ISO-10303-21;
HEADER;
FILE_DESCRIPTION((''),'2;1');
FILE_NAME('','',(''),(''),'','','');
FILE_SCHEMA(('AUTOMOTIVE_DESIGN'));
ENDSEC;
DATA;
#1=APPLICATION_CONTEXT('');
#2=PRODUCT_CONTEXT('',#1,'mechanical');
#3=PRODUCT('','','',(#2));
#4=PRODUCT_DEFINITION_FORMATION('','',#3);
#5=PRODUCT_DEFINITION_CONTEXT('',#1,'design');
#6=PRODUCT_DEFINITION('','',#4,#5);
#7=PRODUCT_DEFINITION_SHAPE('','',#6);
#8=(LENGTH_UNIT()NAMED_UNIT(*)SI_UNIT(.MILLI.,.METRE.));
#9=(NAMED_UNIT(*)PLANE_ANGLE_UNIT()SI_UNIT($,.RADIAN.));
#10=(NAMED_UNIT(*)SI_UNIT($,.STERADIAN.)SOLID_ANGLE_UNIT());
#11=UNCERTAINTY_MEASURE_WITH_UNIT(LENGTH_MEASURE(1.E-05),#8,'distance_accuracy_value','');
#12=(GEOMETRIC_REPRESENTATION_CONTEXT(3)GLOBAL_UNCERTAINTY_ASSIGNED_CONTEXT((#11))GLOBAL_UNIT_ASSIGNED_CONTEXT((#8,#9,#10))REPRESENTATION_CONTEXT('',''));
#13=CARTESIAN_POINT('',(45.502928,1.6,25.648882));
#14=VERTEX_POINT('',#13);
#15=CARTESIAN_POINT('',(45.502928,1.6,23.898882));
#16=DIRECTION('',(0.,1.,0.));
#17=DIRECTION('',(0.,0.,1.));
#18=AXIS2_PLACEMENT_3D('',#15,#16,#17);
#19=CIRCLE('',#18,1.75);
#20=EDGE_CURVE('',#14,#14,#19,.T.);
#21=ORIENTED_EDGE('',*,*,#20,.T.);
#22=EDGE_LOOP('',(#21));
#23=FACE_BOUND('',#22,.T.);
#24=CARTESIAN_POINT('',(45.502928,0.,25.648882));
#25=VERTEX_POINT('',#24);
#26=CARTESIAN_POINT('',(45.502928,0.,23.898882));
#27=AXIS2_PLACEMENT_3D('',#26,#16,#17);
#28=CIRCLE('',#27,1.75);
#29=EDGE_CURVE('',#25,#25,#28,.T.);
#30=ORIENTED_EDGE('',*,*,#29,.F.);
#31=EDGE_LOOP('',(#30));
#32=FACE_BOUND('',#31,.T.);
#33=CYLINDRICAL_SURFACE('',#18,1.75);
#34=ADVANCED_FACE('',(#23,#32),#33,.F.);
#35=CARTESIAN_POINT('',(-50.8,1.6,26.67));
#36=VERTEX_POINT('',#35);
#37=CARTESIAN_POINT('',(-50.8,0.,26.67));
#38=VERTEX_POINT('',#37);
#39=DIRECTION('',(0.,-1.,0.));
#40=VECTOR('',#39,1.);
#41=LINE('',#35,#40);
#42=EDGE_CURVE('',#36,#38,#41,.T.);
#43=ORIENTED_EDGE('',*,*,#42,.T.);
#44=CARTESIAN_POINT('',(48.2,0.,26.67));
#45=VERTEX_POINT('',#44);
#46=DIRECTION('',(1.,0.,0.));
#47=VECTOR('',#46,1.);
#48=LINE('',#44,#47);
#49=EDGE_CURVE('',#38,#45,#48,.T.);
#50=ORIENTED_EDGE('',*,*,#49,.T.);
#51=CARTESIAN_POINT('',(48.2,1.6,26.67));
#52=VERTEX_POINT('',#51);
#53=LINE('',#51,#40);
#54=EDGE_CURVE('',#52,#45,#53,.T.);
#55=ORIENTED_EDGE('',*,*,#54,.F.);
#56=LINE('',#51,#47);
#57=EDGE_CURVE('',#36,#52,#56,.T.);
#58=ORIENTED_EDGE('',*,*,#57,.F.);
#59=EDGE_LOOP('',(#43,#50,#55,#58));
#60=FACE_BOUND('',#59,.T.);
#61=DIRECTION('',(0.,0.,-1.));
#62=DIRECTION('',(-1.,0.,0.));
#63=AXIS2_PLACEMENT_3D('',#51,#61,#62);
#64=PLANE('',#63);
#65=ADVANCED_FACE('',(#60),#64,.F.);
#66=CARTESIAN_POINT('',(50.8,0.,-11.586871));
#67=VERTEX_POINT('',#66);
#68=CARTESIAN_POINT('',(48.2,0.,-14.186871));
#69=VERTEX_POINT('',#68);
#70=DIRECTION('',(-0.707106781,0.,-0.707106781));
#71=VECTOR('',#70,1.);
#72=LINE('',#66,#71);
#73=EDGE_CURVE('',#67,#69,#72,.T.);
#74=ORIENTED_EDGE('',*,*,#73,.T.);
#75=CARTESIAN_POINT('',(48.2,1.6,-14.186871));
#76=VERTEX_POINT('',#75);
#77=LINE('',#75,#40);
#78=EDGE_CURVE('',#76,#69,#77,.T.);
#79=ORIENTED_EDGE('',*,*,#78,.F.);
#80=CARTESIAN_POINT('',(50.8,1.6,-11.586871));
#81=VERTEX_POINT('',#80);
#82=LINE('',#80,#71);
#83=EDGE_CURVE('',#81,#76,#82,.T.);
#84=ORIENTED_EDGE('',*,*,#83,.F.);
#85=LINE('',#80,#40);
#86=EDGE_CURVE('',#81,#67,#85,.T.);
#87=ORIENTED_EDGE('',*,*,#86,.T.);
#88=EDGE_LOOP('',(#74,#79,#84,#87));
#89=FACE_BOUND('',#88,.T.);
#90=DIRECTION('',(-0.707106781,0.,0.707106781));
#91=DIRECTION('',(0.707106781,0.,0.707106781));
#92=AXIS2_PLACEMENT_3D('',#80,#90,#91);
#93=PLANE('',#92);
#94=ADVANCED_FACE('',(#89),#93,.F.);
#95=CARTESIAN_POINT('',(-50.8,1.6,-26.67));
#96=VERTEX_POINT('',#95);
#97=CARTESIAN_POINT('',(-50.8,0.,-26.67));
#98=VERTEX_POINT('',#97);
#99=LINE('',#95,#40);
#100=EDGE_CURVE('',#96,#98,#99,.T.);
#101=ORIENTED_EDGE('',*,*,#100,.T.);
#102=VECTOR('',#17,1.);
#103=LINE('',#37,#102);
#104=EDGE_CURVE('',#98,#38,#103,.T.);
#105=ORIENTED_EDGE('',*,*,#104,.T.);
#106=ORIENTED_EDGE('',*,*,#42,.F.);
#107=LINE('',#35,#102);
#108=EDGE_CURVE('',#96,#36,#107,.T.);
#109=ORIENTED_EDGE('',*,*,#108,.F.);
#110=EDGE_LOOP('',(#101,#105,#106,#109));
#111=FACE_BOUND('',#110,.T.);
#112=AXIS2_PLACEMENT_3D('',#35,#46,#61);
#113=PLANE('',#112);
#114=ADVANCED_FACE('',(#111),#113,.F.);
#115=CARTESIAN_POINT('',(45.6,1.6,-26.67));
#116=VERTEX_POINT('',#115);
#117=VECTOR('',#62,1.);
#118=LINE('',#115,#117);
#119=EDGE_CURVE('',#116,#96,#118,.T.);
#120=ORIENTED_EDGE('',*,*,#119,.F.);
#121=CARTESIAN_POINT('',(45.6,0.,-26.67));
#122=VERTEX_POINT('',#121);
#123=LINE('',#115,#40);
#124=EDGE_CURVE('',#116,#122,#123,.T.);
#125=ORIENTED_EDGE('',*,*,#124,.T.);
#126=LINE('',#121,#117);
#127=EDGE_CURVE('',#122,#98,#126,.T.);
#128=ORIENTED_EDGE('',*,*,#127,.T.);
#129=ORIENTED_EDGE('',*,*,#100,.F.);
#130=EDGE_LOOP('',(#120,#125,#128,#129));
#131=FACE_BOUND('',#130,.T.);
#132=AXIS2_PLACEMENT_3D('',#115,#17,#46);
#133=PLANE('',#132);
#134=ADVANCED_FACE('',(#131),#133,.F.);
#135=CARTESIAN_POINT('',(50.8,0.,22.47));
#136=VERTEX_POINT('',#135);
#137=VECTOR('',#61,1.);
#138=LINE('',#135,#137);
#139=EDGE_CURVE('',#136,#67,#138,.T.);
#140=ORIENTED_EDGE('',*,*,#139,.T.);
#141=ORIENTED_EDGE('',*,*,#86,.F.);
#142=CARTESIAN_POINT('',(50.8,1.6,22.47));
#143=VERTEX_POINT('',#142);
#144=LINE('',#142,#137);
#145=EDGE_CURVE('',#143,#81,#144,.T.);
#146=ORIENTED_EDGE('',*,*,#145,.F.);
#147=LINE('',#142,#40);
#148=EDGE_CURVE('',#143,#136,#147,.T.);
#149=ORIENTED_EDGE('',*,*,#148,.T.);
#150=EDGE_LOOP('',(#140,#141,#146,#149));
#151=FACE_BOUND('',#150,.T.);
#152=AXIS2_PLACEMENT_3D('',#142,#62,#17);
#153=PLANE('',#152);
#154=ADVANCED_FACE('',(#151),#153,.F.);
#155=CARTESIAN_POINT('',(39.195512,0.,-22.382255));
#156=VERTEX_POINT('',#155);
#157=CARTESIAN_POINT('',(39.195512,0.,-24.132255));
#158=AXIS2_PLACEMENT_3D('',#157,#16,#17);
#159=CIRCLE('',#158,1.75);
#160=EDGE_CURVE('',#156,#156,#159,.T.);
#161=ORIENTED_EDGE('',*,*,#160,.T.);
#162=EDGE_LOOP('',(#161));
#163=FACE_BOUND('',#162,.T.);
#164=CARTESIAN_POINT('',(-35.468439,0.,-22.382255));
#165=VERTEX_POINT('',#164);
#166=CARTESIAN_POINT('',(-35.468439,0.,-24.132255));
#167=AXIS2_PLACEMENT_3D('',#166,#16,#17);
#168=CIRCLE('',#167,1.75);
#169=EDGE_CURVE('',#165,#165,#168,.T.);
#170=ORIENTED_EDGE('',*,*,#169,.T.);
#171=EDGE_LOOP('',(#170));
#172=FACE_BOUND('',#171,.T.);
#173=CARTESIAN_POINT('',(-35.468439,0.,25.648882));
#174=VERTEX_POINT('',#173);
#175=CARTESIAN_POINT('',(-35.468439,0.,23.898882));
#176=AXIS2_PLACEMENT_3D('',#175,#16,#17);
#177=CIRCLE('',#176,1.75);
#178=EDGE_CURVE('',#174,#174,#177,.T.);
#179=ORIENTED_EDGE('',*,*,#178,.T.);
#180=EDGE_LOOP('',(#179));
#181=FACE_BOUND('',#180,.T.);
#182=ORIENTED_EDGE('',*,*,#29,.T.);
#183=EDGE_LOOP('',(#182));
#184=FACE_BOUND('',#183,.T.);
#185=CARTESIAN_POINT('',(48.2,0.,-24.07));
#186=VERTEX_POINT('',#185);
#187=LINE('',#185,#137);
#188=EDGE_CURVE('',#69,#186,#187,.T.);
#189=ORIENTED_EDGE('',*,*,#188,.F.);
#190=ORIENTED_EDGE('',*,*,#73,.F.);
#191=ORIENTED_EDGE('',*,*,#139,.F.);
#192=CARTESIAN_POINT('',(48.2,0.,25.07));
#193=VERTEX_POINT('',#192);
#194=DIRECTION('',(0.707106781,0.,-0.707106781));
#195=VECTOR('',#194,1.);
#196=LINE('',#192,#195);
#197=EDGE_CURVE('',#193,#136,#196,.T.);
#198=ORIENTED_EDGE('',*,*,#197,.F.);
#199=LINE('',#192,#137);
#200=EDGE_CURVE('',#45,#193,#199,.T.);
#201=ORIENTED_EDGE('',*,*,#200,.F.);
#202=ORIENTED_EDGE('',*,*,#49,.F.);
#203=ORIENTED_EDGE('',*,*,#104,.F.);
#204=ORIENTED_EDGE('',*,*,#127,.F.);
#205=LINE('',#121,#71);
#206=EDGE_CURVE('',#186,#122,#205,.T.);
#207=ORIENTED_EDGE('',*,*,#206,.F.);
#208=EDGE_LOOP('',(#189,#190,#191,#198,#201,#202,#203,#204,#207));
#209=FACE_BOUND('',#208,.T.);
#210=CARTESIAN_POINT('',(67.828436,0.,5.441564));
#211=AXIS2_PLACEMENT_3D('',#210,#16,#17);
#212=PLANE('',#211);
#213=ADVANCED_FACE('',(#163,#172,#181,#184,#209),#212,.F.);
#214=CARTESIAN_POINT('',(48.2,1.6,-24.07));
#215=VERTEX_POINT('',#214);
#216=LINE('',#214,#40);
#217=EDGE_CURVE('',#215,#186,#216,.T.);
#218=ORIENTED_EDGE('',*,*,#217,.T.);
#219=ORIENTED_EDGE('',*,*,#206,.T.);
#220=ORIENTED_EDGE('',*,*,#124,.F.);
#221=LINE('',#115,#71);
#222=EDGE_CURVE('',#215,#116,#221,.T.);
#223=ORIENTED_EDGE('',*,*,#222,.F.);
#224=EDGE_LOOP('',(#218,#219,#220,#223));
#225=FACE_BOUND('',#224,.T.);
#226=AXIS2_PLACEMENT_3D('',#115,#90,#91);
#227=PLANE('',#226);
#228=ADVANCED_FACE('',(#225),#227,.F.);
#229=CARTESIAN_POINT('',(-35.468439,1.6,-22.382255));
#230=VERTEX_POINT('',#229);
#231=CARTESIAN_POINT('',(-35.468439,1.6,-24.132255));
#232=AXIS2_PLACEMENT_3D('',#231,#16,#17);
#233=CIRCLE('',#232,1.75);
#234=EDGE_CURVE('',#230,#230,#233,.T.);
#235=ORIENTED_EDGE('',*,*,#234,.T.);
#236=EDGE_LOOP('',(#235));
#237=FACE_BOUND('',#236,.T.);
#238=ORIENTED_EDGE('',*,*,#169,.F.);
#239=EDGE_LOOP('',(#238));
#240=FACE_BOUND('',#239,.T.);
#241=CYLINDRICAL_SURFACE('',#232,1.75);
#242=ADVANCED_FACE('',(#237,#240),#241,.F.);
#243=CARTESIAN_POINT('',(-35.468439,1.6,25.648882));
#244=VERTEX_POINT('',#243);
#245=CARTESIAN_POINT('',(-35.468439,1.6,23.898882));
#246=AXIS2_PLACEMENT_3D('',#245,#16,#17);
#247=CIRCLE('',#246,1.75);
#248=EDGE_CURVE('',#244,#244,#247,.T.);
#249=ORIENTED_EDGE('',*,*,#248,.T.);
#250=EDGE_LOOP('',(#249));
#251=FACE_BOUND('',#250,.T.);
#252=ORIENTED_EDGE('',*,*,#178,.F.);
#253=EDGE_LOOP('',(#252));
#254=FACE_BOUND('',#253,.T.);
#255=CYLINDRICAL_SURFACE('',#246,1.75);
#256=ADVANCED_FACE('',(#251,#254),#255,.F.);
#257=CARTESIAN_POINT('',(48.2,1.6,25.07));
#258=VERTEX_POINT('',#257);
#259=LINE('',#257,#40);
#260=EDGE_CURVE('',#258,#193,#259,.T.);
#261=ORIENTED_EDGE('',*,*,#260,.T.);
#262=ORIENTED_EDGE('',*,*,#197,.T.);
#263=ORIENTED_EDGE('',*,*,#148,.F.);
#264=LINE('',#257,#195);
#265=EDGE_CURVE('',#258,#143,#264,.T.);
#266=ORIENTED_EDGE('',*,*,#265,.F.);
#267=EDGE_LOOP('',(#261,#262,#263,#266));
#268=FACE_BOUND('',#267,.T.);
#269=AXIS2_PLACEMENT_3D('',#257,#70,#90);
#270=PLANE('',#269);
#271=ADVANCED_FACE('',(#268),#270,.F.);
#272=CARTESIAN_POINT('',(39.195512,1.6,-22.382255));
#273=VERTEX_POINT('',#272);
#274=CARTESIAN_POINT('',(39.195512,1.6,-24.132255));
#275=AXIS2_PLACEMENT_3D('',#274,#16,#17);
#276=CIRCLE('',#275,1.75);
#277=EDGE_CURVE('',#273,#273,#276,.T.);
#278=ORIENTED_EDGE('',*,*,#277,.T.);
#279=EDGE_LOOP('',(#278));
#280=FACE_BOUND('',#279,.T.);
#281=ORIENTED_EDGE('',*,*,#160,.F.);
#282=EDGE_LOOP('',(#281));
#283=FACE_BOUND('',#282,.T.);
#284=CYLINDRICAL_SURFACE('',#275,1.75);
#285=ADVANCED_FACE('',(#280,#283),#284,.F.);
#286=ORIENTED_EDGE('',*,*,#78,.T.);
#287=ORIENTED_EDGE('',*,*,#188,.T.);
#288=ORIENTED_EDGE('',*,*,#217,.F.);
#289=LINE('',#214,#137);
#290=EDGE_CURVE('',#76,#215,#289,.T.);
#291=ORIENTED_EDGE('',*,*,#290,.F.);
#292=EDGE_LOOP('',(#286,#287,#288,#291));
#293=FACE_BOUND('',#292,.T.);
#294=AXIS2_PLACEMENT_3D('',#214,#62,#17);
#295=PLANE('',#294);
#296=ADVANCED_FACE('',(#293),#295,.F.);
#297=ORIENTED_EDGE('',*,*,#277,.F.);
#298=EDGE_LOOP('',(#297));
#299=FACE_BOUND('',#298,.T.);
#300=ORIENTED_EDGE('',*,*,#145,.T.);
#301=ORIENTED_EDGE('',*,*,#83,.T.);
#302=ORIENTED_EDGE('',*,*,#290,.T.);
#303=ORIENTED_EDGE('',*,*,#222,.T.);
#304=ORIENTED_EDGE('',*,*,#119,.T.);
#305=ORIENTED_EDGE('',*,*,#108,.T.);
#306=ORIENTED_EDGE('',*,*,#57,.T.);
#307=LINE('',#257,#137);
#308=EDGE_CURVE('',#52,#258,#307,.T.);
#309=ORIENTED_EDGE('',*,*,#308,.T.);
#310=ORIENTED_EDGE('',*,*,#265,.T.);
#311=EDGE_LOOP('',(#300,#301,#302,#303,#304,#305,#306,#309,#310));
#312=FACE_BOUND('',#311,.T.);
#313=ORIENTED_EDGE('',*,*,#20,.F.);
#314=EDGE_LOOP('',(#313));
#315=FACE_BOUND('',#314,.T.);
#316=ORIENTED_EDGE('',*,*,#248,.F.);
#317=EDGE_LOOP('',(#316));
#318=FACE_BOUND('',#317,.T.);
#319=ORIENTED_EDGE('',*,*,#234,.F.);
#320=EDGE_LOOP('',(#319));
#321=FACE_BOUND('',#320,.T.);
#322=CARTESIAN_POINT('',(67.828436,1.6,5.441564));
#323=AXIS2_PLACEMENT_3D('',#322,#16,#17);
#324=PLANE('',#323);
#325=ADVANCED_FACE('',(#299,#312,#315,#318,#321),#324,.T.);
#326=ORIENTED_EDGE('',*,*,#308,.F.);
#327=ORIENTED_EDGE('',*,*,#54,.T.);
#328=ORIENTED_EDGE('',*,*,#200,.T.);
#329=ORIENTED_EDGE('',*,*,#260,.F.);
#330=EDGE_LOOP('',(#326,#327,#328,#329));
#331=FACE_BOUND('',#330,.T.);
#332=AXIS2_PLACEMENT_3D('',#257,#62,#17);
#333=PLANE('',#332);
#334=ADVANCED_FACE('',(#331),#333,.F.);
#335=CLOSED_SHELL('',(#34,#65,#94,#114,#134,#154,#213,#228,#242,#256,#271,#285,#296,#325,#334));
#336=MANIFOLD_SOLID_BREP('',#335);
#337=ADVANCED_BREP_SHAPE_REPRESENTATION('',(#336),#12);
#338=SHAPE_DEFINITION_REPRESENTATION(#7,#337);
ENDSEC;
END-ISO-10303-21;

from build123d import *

# Parameters (mm, degrees)
BOSS_EXTRUDE1_DEPTH            = 1.6
F_3_5_3_5_DIAMETER_HOLE1_D     = 3.5
F_3_5_3_5_DIAMETER_HOLE1_DEPTH = 3
F_3_5_3_5_DIAMETER_HOLE1_TIP   = 1.051506083


with BuildPart() as part:
    # Sketch2 → Boss-Extrude1 (new body)
    with BuildSketch(Plane(origin=(0, 0, 0), x_dir=(1, 0, 0), z_dir=(0, 1, 0))):
        Polygon((50.8, -22.47), (50.8, 11.586871141), (48.2, 14.186871141), (48.2, 24.07), (45.6, 26.67), (-50.8, 26.67), (-50.8, -26.67), (48.2, -26.67), (48.2, -25.07), align=None)
    extrude(amount=BOSS_EXTRUDE1_DEPTH)

    # Ø3.5 (3.5) Diameter Hole1
    with Locations(Plane(origin=(0, 1.6, 0), x_dir=(-1, 0, 0), z_dir=(0, 1, 0))):
        with Locations((35.468438844, -24.132254762), (35.468438844, 23.898881858), (-45.502928223, 23.898881858), (-39.195511542, -24.132254762)):
            Hole(F_3_5_3_5_DIAMETER_HOLE1_D / 2, depth=F_3_5_3_5_DIAMETER_HOLE1_DEPTH)
            with Locations((0, 0, -(F_3_5_3_5_DIAMETER_HOLE1_DEPTH + F_3_5_3_5_DIAMETER_HOLE1_TIP / 2))):  # 118° drill point
                Cone(0, F_3_5_3_5_DIAMETER_HOLE1_D / 2, F_3_5_3_5_DIAMETER_HOLE1_TIP, mode=Mode.SUBTRACT)


solid = part.part
